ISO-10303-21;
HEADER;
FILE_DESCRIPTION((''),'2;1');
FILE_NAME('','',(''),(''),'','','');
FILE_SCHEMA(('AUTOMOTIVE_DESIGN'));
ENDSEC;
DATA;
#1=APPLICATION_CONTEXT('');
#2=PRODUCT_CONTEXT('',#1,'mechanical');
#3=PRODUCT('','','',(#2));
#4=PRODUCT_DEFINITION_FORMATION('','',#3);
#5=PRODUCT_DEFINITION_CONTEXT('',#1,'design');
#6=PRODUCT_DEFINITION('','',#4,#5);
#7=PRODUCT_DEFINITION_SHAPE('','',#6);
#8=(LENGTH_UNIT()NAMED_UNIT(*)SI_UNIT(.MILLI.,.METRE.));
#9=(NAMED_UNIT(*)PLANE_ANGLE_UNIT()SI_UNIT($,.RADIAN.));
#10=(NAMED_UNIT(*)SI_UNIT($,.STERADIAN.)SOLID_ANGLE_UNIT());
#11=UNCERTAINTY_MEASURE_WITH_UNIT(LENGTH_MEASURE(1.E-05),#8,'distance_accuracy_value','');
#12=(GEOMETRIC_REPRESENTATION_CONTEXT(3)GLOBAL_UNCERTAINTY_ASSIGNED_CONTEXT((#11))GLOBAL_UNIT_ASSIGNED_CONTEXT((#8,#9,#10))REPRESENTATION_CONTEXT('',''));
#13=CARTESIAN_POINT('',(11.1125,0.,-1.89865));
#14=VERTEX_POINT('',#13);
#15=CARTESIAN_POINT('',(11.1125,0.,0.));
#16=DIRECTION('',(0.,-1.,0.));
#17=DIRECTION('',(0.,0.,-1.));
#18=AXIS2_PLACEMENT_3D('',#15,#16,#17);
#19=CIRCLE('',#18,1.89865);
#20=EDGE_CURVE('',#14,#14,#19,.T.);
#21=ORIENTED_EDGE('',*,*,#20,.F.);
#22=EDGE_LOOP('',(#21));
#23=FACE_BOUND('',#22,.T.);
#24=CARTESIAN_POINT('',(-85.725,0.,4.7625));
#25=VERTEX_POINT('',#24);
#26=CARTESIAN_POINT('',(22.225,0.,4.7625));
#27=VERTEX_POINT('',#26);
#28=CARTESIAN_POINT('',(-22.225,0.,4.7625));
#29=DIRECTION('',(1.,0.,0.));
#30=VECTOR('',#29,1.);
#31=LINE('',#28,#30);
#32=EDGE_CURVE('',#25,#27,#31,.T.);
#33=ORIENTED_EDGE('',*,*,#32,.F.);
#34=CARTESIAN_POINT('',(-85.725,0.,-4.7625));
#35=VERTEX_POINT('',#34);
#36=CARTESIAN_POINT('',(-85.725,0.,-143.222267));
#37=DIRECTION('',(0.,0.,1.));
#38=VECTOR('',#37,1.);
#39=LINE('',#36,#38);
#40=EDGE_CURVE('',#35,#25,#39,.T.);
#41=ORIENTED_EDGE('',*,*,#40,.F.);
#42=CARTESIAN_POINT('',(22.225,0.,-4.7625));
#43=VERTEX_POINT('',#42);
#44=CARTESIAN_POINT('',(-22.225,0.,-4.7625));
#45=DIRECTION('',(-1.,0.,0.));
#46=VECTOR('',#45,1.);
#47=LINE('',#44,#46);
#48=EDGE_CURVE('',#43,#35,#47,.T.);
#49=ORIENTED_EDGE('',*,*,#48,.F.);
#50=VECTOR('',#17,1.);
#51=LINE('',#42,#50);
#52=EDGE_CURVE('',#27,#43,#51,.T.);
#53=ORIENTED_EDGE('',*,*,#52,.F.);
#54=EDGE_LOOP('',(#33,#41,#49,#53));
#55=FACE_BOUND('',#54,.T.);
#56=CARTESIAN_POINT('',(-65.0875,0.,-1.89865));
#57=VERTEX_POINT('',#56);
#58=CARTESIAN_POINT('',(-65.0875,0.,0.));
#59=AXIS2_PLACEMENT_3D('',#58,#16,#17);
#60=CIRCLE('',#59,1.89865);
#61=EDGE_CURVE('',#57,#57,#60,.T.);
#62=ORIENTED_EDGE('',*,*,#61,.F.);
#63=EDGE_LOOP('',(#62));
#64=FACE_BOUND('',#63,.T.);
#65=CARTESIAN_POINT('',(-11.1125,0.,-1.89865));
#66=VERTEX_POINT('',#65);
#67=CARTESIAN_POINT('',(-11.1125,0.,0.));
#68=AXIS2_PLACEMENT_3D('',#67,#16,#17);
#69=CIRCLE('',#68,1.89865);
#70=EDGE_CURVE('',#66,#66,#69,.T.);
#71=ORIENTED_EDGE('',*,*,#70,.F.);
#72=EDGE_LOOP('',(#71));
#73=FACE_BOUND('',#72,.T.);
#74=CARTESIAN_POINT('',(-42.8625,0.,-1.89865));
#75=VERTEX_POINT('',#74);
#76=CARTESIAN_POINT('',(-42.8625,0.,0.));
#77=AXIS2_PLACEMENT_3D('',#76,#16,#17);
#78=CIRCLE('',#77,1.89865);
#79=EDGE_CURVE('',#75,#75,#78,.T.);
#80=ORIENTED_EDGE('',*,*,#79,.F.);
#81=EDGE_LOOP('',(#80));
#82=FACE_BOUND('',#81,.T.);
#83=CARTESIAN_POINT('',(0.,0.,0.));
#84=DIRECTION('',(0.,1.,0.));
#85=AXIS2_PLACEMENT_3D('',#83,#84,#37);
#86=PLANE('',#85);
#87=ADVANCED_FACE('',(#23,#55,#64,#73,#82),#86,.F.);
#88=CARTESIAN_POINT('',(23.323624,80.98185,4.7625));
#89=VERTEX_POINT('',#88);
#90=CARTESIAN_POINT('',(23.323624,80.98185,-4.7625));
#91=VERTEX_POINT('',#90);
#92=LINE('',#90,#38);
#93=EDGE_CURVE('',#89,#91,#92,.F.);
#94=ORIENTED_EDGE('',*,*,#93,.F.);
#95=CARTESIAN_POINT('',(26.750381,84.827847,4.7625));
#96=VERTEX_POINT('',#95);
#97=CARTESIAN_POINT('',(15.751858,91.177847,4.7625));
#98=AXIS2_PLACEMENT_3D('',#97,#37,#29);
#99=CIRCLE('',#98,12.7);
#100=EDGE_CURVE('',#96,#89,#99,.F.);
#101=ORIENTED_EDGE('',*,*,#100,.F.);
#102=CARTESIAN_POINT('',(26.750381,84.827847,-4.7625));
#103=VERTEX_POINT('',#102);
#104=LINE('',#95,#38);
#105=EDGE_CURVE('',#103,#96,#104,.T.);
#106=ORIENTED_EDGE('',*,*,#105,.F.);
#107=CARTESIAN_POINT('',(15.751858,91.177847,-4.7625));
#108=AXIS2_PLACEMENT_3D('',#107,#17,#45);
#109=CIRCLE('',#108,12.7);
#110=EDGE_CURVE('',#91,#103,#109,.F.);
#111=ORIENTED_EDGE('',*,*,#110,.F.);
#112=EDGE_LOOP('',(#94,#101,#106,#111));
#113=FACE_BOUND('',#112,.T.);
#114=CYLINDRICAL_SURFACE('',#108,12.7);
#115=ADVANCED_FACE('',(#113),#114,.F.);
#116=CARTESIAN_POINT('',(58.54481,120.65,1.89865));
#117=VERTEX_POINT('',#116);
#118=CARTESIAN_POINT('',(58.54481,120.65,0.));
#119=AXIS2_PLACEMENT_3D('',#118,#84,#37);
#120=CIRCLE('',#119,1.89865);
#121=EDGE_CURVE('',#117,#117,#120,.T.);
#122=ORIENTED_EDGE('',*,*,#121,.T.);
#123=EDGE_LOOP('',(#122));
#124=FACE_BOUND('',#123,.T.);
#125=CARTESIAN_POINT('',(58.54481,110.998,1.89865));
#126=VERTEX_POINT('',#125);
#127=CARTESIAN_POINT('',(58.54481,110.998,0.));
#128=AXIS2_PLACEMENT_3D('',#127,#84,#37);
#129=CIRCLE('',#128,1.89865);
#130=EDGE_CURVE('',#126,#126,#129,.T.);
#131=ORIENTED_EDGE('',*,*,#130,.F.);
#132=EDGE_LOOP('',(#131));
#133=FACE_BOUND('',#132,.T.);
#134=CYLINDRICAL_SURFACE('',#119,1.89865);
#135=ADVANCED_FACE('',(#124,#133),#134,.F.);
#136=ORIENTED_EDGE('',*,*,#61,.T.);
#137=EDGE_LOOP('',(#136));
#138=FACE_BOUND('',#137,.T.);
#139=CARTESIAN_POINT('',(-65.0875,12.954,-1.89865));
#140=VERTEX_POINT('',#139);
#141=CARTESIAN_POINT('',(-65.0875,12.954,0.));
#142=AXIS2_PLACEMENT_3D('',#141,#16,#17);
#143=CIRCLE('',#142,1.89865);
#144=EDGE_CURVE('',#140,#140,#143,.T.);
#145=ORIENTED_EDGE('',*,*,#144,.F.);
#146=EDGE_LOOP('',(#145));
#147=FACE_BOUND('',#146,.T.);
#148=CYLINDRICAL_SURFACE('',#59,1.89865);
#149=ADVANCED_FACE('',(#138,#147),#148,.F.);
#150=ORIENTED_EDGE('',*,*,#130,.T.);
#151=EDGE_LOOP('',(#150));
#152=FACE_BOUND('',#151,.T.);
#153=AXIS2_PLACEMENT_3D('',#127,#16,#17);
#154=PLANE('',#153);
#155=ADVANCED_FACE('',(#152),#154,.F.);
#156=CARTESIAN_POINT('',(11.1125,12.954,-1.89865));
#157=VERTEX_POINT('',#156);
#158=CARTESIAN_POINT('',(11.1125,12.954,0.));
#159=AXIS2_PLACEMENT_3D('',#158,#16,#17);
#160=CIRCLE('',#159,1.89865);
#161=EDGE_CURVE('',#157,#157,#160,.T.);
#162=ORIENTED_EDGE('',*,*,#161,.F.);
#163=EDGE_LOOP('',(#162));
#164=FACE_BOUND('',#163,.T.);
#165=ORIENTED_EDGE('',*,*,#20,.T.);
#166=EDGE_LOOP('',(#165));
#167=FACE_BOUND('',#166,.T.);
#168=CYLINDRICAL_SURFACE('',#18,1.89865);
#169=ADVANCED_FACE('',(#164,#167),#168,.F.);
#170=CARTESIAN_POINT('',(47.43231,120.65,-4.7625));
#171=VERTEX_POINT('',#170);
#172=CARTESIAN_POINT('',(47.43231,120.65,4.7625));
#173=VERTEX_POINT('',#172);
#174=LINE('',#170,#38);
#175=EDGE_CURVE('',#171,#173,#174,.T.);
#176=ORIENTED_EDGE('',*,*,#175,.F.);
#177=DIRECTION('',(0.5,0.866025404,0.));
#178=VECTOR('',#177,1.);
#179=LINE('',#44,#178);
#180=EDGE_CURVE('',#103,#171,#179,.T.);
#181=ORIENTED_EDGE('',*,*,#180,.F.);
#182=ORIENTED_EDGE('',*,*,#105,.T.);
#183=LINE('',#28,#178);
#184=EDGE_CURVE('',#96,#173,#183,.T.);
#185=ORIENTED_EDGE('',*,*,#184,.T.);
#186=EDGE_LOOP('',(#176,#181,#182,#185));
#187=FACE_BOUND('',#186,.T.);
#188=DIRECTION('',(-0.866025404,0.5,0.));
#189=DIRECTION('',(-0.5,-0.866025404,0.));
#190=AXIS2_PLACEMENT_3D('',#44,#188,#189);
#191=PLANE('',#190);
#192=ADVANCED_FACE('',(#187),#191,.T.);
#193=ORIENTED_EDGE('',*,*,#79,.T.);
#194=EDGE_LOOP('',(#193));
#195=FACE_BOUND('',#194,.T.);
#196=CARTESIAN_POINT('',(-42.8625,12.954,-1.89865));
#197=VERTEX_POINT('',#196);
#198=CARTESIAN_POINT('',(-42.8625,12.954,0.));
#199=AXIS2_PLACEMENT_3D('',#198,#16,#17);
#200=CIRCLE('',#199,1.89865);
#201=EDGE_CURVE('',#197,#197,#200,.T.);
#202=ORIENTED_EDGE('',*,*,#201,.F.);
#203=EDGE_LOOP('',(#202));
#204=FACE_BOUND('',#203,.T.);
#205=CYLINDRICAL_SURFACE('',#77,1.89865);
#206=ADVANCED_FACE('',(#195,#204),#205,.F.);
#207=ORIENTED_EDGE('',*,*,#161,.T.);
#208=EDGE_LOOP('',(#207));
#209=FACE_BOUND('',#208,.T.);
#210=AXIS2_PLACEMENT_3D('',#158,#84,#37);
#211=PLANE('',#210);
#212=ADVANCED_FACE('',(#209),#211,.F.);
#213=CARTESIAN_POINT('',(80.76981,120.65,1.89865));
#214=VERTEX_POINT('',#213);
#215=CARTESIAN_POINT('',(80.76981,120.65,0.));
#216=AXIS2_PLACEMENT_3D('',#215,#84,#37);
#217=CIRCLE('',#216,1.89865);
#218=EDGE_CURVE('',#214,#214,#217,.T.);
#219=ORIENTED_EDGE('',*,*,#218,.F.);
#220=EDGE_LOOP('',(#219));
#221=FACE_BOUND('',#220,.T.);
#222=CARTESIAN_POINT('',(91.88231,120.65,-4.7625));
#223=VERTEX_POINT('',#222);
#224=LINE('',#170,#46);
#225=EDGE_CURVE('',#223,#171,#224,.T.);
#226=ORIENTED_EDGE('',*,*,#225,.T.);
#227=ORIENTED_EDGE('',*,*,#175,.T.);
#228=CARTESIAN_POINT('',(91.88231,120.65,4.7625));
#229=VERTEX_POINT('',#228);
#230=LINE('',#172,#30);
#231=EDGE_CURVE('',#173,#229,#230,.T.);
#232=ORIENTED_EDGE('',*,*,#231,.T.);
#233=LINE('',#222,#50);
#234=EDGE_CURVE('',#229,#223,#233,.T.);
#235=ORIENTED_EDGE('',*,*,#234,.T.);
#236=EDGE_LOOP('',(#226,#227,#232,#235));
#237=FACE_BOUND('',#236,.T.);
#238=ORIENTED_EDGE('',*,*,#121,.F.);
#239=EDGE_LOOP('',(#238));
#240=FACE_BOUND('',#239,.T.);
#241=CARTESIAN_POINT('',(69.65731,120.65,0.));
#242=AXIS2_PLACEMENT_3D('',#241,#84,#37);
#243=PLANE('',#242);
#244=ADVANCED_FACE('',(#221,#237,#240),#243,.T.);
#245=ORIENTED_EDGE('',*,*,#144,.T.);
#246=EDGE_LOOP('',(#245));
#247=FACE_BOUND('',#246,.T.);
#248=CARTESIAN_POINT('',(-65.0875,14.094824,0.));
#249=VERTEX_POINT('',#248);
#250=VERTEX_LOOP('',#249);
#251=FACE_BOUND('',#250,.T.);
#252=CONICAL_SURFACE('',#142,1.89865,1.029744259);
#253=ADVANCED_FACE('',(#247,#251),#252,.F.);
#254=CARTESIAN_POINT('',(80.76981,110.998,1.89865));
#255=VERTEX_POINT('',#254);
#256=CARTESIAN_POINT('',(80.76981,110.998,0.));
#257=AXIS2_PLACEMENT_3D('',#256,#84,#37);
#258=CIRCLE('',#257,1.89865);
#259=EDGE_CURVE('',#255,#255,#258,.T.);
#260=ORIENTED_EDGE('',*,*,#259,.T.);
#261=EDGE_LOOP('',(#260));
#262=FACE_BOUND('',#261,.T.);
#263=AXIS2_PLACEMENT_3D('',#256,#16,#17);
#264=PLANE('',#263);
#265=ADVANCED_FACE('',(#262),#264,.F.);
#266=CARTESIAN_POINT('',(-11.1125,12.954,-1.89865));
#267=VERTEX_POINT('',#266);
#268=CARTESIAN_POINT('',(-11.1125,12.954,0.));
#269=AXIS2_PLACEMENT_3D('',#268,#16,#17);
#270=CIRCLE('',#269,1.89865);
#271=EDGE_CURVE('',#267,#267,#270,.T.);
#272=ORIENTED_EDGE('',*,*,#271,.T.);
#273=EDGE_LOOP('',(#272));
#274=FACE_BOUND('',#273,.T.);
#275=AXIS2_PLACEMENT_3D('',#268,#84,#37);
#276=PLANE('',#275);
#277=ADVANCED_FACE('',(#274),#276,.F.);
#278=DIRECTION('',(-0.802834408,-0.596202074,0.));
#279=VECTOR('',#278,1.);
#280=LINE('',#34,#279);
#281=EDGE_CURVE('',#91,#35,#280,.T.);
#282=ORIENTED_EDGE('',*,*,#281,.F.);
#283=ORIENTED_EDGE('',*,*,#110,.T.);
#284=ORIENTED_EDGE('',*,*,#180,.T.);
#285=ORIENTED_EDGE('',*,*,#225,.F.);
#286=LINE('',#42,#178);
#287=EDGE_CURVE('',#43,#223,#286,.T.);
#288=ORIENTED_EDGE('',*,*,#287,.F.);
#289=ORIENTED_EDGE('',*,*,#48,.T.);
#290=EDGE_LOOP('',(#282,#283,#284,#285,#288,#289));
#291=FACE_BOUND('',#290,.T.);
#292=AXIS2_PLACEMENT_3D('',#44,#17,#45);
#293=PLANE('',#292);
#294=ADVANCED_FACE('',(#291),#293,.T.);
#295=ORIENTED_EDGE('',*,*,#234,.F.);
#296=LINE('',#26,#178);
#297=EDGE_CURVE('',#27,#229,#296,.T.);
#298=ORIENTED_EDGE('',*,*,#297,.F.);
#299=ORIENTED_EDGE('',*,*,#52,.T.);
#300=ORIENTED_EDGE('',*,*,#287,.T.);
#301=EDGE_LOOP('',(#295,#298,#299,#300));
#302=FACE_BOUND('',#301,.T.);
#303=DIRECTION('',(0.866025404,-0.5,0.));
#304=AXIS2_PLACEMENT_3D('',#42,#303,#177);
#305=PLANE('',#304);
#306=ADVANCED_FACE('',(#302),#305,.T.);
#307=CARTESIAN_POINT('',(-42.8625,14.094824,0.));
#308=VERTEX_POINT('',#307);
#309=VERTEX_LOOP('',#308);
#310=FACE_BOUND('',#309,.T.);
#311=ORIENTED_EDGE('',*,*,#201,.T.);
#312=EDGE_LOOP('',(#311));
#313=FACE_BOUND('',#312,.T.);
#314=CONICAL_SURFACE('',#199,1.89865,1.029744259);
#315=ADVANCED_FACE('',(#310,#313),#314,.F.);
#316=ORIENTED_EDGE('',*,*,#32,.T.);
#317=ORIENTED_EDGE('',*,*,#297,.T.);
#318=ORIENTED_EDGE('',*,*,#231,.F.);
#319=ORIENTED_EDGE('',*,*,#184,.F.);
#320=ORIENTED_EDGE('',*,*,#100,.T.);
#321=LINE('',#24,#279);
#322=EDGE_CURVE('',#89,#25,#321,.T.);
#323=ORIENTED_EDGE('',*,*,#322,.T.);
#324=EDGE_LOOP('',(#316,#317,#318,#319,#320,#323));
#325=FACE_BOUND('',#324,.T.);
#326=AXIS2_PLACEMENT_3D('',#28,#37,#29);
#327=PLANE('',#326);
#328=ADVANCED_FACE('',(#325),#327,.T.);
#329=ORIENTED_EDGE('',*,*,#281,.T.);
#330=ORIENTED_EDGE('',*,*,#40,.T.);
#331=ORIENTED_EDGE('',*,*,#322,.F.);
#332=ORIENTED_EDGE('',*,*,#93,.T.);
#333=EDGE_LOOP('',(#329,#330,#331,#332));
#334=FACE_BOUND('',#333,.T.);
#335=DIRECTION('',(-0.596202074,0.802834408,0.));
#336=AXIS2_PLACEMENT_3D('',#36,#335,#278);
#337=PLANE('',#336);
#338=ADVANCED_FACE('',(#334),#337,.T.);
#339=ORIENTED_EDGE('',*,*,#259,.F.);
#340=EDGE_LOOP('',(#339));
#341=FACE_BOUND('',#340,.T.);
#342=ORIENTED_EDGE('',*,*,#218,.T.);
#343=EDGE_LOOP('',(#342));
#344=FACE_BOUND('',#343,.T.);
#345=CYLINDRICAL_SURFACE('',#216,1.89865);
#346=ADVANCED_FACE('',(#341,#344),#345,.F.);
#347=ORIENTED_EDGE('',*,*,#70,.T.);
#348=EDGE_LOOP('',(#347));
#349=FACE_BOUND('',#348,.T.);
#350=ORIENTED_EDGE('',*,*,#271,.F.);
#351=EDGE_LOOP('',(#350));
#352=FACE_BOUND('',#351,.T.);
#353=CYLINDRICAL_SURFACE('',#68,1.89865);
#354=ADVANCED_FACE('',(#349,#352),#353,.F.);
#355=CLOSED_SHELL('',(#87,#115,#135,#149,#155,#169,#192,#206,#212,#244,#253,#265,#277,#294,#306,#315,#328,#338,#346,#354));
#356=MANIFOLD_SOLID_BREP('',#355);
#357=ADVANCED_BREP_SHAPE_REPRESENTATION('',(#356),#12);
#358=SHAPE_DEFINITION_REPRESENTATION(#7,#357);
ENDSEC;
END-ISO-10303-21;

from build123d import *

# Parameters (mm, degrees)
SKETCH1_W                  = 44.45
SKETCH1_H                  = 9.525
F_10_24_TAPPED_HOLE1_D     = 3.7973
F_10_24_TAPPED_HOLE1_DEPTH = 12.954
F_10_24_TAPPED_HOLE2_D     = 3.7973
F_10_24_TAPPED_HOLE2_DEPTH = 9.652
BOSS_EXTRUDE1_DEPTH        = 9.525
F_10_24_TAPPED_HOLE3_D     = 3.7973
F_10_24_TAPPED_HOLE3_DEPTH = 12.954
F_10_24_TAPPED_HOLE3_TIP   = 1.140824014
FILLET1_R                  = 12.7


with BuildPart() as part:
    # Sweep1: sweep along a path in Sketch2
    with BuildLine(Plane.XY) as sweep1_path:
        Line((-22.225, 0), (47.432309978, 120.65))
    # Sketch1 → Sweep1 (sweep)
    with BuildSketch(Plane(origin=(0, 0, 0), x_dir=(1, 0, 0), z_dir=(0, 1, 0))):
        Rectangle(SKETCH1_W, SKETCH1_H)
    sweep(path=sweep1_path.line)

    # #10-24 Tapped Hole1
    with Locations(Plane(origin=(0, 0, 0), x_dir=(-1, 0, 0), z_dir=(0, -1, 0))):
        with Locations((11.1125, 0), (-11.1125, 0)):
            Hole(F_10_24_TAPPED_HOLE1_D / 2, depth=F_10_24_TAPPED_HOLE1_DEPTH)

    # #10-24 Tapped Hole2
    with Locations(Plane(origin=(0, 120.65, 0), x_dir=(1, 0, 0), z_dir=(0, 1, 0))):
        with Locations((58.544809978, 0), (80.769809978, 0)):
            Hole(F_10_24_TAPPED_HOLE2_D / 2, depth=F_10_24_TAPPED_HOLE2_DEPTH)

    # Sketch14 → Boss-Extrude1 (add)
    with BuildSketch(Plane.XY.offset(4.7625)):
        Polygon((-22.225, 0), (-85.725, 0), (25.435264722, 82.55), align=None)
    extrude(amount=-BOSS_EXTRUDE1_DEPTH)

    # #10-24 Tapped Hole3
    with Locations(Plane(origin=(0, 0, 0), x_dir=(-1, 0, 0), z_dir=(0, -1, 0))):
        with Locations((42.8625, 0), (65.0875, 0)):
            Hole(F_10_24_TAPPED_HOLE3_D / 2, depth=F_10_24_TAPPED_HOLE3_DEPTH)
            with Locations((0, 0, -(F_10_24_TAPPED_HOLE3_DEPTH + F_10_24_TAPPED_HOLE3_TIP / 2))):  # 118° drill point
                Cone(0, F_10_24_TAPPED_HOLE3_D / 2, F_10_24_TAPPED_HOLE3_TIP, mode=Mode.SUBTRACT)

    # Fillet1
    fillet1_edges = [part.edges().sort_by_distance(p)[0] for p in [
        (25.435264722, 82.55, 0),
    ]]
    fillet(fillet1_edges, radius=FILLET1_R)


solid = part.part
